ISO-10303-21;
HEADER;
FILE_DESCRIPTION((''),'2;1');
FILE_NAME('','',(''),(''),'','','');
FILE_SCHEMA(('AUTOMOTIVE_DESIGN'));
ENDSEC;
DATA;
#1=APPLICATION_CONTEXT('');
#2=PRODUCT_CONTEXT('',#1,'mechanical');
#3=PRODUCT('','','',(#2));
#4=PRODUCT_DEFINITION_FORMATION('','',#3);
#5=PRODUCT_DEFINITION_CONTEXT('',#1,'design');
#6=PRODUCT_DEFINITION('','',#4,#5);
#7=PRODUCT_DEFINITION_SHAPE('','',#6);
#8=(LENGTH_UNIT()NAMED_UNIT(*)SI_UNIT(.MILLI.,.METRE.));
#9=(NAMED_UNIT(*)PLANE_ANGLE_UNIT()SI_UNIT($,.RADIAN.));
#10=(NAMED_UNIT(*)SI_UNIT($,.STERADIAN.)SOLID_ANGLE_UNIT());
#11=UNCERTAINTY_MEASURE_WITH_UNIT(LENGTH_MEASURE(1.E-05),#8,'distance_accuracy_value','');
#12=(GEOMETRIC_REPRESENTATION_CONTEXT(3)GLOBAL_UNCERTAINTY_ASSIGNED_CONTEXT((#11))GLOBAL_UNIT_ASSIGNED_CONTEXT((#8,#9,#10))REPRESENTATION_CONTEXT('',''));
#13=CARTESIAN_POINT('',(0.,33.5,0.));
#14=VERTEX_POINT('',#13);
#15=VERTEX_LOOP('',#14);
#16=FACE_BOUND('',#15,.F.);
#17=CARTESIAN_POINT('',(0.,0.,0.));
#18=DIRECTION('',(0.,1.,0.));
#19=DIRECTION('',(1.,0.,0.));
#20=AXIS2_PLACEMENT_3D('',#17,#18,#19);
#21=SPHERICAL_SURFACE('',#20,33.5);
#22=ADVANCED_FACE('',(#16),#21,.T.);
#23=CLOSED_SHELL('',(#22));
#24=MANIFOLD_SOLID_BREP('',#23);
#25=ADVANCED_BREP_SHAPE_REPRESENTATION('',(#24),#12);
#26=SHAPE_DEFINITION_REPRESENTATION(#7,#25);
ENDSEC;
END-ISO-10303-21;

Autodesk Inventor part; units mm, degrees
ref_plane "YZ Plane" through (0, 0, 0) normal (1, 0, 0) x (0, 1, 0)
ref_plane "XZ Plane" through (0, 0, 0) normal (0, 1, 0) x (-1, 0, 0)
ref_plane "XY Plane" through (0, 0, 0) normal (0, 0, 1) x (1, 0, 0)
sketch "Sketch1" plane through (0, 0, 0) normal (0, 0, 1) x (1, 0, 0)
  arc A0 (0, -33.5) -> (0, 33.5) centre (0, 0) ccw
  line L0 (0, 33.5) -> (0, -33.5)
  dimension "d0" = 67
revolve "Revolution1" add sketch "Sketch1" angle 360 about axis through (0, 33.5, 0) along (0, -1, 0)
properties part number "Tennis Ball"
